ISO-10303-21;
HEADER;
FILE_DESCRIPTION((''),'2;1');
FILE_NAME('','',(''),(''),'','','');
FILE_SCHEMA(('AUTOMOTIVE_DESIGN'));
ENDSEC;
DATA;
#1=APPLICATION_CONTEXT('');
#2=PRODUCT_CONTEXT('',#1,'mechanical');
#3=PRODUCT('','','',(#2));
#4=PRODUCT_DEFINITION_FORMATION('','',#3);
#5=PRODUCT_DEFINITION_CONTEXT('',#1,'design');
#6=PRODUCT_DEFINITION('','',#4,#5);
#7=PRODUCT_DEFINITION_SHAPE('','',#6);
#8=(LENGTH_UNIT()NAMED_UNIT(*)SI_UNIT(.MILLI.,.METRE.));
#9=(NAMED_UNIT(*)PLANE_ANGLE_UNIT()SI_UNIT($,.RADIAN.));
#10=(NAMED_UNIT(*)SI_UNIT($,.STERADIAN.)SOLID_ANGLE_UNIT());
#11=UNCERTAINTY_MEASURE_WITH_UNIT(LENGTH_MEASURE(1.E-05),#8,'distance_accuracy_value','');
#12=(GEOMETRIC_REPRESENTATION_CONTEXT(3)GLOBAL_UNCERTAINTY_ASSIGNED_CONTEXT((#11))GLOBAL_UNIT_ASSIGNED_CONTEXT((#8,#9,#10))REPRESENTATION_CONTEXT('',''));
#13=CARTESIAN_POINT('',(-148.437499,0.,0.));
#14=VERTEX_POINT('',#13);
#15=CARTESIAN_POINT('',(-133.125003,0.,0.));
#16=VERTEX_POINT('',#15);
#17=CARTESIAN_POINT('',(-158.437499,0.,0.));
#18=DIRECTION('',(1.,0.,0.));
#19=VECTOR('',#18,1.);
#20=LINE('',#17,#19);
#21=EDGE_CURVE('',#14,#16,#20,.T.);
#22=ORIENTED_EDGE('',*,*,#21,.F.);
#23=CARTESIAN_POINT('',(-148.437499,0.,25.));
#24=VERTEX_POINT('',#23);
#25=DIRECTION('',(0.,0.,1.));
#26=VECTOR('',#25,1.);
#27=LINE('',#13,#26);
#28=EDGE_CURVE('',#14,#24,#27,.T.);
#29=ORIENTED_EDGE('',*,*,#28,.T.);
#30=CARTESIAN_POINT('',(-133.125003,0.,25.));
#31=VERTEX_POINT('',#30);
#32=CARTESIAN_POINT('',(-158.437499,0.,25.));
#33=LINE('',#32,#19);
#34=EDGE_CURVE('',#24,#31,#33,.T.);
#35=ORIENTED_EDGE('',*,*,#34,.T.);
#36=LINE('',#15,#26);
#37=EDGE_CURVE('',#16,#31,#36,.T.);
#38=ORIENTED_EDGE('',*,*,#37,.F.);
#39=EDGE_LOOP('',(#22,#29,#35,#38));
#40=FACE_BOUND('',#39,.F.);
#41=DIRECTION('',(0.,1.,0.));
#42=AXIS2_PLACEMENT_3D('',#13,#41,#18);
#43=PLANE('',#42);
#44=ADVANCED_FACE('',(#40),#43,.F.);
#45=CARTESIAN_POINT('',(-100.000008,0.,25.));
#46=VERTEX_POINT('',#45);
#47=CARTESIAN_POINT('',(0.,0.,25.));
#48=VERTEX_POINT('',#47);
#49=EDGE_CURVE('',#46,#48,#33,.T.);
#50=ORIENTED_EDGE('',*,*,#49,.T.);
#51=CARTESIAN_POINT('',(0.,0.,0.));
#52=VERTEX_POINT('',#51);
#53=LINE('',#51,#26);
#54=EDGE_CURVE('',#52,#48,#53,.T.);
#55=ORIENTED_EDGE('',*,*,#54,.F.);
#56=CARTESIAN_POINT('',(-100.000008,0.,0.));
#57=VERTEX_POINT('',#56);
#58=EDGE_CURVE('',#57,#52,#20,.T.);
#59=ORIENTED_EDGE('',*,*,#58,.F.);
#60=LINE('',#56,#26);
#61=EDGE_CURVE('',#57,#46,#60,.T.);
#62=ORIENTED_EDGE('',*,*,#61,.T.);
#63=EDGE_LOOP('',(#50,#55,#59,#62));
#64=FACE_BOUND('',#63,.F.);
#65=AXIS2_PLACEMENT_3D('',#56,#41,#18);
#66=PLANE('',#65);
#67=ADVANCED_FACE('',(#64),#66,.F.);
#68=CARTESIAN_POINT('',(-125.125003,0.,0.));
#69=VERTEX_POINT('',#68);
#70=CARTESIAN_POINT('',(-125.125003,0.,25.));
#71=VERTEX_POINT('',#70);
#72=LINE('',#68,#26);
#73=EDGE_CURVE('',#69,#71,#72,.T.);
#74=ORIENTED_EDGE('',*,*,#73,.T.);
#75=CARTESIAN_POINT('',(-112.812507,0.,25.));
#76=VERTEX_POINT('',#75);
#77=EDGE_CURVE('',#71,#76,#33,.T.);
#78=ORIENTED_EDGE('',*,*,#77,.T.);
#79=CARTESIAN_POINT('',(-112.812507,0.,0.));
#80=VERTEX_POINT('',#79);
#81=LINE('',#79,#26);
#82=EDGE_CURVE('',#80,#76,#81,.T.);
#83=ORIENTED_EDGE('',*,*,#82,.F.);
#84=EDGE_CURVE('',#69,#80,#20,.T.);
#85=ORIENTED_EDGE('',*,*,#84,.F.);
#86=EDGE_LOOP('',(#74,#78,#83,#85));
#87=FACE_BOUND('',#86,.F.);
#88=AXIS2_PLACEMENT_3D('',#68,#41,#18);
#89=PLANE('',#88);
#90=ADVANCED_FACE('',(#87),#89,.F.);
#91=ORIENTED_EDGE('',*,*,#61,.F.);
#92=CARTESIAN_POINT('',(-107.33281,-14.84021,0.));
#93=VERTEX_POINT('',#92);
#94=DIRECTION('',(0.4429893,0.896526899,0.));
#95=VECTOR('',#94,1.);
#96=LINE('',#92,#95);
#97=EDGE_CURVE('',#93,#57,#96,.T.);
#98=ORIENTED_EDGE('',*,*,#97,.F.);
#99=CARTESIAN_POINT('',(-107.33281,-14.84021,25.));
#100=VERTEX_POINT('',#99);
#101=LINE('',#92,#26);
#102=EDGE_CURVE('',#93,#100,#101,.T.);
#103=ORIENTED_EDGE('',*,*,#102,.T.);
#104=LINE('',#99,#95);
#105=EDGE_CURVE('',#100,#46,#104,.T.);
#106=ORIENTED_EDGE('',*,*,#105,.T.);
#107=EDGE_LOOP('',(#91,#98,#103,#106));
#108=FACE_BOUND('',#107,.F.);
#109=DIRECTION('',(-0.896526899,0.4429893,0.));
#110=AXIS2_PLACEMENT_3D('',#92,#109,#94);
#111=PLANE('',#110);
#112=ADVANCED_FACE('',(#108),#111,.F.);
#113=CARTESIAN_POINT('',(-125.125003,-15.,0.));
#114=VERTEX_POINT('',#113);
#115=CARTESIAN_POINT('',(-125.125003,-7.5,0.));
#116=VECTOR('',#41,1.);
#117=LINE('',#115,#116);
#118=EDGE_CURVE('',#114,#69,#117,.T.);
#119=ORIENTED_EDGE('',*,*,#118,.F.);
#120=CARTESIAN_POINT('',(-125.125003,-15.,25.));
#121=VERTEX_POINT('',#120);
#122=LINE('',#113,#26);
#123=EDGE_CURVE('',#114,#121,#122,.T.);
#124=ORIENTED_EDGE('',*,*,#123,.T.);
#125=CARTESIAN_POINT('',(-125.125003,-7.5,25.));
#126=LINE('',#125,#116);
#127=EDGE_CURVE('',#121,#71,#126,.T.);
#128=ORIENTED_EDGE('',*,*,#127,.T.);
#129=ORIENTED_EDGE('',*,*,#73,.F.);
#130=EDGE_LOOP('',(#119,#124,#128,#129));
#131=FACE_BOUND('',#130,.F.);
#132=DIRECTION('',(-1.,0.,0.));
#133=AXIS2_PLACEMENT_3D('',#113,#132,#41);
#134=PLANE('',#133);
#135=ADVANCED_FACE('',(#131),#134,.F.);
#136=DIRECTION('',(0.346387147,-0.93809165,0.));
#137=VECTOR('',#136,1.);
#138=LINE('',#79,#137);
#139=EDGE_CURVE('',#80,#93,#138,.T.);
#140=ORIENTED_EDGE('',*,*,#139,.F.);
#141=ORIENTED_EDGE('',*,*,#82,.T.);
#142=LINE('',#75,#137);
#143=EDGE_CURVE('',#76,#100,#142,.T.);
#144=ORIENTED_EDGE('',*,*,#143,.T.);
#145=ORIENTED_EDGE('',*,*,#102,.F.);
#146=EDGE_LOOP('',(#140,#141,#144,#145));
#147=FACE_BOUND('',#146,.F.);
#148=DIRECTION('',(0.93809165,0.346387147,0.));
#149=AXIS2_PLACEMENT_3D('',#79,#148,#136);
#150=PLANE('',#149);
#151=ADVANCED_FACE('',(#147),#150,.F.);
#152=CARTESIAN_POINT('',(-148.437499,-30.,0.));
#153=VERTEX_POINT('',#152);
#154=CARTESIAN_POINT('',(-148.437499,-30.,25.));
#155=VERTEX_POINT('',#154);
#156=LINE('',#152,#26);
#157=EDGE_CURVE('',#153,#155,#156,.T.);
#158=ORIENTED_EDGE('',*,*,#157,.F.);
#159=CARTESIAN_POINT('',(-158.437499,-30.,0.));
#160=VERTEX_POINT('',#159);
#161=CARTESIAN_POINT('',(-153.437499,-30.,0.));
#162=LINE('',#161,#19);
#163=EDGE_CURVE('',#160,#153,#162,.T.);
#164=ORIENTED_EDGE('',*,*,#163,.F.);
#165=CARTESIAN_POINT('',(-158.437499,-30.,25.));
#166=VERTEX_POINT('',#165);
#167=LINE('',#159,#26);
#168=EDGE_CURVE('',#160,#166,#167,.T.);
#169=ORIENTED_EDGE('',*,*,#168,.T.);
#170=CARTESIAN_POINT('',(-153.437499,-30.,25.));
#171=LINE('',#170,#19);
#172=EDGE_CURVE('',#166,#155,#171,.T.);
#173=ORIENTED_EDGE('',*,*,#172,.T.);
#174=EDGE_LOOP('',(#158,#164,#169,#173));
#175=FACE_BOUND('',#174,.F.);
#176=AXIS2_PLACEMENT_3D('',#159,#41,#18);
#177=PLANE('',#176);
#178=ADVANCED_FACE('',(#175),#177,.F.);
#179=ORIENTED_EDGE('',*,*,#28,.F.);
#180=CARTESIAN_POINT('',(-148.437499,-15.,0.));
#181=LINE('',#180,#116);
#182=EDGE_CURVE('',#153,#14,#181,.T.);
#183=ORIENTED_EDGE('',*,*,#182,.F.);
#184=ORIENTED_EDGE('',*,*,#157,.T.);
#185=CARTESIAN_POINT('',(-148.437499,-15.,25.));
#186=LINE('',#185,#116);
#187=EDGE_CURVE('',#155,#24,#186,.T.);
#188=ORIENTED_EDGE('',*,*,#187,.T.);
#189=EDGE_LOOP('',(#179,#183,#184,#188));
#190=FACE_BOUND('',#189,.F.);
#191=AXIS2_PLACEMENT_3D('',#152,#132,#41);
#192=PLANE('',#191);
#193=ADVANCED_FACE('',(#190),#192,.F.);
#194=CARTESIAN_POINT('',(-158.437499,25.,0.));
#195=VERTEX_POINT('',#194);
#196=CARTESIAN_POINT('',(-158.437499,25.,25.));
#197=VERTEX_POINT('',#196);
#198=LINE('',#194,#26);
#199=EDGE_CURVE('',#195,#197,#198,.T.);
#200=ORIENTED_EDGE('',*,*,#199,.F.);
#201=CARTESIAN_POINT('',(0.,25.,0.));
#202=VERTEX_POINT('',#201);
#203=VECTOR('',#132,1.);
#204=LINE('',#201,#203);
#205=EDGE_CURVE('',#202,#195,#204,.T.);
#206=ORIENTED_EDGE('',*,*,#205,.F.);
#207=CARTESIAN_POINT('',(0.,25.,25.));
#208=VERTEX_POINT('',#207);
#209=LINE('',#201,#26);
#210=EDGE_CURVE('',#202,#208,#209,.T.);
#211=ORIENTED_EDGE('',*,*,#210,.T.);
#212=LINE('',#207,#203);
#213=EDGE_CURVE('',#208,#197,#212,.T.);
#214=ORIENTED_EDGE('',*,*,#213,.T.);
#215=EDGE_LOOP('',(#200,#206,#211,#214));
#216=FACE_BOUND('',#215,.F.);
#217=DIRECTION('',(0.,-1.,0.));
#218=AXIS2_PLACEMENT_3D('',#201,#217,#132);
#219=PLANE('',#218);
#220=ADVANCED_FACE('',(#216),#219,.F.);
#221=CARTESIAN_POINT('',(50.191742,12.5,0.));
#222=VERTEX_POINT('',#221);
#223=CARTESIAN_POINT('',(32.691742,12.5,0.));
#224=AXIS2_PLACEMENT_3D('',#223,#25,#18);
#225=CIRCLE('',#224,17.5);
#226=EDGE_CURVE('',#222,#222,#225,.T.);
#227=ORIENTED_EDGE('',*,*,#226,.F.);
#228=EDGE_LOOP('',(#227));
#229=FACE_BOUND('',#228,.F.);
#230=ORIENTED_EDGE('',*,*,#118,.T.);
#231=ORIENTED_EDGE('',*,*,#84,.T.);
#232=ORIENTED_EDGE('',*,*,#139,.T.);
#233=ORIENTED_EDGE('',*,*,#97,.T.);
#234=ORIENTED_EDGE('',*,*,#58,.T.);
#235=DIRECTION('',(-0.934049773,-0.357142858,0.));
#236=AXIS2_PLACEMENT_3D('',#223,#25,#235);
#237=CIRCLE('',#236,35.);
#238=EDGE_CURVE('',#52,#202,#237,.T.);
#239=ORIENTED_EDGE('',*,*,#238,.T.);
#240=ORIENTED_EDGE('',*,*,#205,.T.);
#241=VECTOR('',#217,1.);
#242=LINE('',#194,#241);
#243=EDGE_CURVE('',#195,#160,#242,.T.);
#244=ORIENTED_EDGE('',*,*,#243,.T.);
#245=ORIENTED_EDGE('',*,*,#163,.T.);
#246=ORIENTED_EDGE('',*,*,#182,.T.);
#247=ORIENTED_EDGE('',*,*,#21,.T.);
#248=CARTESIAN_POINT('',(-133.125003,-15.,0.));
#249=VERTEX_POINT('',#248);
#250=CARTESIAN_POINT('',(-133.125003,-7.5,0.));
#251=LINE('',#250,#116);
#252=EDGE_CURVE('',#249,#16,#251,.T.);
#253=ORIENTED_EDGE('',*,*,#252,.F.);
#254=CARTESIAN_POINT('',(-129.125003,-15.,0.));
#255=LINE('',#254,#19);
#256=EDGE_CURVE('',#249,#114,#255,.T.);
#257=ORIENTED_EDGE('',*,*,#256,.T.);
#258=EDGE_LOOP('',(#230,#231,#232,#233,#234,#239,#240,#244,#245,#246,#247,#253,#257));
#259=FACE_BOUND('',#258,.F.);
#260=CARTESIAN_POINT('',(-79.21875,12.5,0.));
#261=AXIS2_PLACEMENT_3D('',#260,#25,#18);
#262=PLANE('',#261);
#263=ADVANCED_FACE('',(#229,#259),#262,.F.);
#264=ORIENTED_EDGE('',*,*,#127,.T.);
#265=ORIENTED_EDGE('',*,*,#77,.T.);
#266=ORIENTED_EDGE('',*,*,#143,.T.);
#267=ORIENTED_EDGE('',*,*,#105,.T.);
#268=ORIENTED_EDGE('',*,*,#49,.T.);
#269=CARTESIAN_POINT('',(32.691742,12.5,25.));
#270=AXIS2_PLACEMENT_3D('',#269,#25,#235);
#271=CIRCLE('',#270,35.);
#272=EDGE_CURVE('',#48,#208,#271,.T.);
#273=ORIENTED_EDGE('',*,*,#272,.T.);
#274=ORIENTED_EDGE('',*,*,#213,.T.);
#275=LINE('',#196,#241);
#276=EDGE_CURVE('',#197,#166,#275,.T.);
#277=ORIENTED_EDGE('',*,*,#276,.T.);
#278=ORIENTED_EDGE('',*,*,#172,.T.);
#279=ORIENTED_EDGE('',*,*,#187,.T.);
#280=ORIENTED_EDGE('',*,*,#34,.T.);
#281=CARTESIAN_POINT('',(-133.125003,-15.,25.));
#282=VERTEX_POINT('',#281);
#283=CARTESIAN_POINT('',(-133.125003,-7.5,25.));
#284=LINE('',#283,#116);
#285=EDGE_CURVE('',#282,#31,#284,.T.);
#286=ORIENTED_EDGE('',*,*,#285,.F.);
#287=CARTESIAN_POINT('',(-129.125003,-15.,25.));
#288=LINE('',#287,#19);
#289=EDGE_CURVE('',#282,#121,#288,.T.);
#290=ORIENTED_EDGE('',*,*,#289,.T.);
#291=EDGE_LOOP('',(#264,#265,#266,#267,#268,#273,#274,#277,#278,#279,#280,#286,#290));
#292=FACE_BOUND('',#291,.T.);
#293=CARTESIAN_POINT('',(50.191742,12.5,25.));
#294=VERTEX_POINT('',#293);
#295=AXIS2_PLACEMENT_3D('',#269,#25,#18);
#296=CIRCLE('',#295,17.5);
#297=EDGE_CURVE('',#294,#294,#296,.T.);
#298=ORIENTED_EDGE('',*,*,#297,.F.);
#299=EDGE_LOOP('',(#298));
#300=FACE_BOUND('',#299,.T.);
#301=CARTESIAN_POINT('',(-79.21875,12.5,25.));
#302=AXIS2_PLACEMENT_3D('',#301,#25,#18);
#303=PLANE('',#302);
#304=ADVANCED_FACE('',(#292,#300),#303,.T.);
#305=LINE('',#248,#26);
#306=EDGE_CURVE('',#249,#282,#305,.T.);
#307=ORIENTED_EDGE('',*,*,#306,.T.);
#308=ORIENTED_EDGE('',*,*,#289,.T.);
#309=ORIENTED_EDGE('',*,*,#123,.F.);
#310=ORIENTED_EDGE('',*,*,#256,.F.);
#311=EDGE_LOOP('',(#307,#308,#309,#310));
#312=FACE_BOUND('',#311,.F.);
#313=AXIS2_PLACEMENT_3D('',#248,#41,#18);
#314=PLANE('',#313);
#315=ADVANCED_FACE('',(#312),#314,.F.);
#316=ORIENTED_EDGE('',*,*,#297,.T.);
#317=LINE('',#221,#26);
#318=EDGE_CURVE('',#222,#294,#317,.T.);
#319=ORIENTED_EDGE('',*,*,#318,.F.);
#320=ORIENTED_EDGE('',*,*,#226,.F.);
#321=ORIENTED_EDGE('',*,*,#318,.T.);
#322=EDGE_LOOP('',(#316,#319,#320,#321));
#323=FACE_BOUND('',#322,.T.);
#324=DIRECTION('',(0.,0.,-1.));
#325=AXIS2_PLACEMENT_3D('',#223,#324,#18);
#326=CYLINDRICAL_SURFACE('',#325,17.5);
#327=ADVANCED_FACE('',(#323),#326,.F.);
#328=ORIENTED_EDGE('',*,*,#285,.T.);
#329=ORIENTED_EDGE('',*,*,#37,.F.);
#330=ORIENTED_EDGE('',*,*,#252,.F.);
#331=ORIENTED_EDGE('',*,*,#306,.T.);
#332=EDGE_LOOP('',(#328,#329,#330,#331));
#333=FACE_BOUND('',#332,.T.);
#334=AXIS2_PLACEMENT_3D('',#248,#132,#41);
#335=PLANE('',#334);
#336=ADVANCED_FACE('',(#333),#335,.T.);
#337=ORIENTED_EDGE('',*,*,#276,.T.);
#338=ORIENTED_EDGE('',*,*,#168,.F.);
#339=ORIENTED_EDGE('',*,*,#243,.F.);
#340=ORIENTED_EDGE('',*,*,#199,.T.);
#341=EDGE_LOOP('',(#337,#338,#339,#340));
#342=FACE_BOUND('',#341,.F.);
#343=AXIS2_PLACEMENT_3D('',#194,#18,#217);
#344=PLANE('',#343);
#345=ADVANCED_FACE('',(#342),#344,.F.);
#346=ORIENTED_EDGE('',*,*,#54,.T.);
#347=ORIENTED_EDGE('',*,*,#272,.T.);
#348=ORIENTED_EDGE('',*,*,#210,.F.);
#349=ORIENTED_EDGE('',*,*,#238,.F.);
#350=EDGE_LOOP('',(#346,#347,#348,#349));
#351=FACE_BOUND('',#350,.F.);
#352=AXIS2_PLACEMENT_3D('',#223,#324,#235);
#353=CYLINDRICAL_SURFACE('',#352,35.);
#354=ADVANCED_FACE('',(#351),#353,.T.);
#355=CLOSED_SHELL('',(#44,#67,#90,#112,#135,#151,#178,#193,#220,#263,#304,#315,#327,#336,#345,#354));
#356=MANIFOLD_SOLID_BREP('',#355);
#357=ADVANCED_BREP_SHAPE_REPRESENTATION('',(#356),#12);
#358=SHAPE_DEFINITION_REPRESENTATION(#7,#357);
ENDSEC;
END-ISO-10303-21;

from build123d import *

# Parameters (mm, degrees)
F0_R     = 17.5
F0_W     = 8
F0_H     = 15
F0_W_2   = 10
F0_H_2   = 30
F1_DEPTH = 25


with BuildPart() as f1:
    # F0 (on Top) → F1 (new body)
    with BuildSketch(Plane.XY):
        Polygon((-100.000008, 0), (0, 0), (0, 25), (-158.437499, 25), (-158.437499, 0), (-148.437499, 0), (-133.125003, 0), (-125.125003, 0), (-112.812507, 0), align=None)
        with BuildLine():
            Line((0, 25), (0, 0))
            ThreePointArc((0, 0), (67.691742, 12.5), (0, 25))
        make_face()
        with Locations((32.691742, 12.5)):
            Circle(F0_R, mode=Mode.SUBTRACT)
        Polygon((-107.33281, -14.84021), (-100.000008, 0), (-112.812507, 0), align=None)
        with Locations((-129.125003, -7.5)):
            Rectangle(F0_W, F0_H)
        with Locations((-153.437499, -15)):
            Rectangle(F0_W_2, F0_H_2)
    extrude(amount=F1_DEPTH)


solid = f1.part
